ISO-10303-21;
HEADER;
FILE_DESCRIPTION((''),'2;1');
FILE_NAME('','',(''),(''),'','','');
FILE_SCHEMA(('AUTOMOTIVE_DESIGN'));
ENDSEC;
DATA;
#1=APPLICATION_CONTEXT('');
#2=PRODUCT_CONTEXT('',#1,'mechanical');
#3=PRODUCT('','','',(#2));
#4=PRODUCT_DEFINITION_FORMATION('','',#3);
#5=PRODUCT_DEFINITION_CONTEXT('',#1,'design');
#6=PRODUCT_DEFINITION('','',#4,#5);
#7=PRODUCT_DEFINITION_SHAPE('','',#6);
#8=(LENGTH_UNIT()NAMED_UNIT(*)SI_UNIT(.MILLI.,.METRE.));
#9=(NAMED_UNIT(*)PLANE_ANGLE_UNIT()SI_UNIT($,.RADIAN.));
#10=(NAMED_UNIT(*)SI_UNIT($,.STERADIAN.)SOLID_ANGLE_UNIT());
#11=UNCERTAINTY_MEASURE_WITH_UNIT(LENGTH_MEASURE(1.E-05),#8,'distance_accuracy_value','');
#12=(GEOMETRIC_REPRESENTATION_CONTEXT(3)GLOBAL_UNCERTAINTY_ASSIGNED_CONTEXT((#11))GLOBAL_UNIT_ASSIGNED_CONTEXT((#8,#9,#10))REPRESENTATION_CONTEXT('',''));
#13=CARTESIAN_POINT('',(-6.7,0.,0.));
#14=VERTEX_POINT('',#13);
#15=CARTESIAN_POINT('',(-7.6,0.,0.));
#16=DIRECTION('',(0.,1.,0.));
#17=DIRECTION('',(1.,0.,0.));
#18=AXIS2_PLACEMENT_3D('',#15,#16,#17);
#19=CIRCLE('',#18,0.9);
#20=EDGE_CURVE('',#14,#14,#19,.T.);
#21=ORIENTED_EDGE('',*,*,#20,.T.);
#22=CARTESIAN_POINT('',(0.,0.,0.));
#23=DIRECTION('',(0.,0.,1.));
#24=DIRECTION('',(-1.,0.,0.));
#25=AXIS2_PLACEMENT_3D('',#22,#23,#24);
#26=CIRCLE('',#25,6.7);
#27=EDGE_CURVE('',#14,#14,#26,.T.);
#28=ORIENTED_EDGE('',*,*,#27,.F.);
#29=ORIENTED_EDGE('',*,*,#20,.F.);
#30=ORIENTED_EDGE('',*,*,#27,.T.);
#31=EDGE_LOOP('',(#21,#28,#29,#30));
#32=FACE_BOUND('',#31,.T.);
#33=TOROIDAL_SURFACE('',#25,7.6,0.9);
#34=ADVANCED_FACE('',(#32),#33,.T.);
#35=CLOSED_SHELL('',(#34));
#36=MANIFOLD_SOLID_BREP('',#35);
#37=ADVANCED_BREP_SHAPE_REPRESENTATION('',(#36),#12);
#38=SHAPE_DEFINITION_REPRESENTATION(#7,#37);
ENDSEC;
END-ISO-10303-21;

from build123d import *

# Parameters (mm, degrees)
ESQUISSE1_R = 0.9


with BuildPart() as part:
    # Esquisse1 → Révolution1 (revolve)
    with BuildSketch(Plane(origin=(0, 0, 0), x_dir=(1, 0, 0), z_dir=(0, 1, 0))):
        with Locations((-7.6, 0)):
            Circle(ESQUISSE1_R)
    revolve(axis=Axis((0, 0, -4.370899565), (0, 0, 1)))


solid = part.part
